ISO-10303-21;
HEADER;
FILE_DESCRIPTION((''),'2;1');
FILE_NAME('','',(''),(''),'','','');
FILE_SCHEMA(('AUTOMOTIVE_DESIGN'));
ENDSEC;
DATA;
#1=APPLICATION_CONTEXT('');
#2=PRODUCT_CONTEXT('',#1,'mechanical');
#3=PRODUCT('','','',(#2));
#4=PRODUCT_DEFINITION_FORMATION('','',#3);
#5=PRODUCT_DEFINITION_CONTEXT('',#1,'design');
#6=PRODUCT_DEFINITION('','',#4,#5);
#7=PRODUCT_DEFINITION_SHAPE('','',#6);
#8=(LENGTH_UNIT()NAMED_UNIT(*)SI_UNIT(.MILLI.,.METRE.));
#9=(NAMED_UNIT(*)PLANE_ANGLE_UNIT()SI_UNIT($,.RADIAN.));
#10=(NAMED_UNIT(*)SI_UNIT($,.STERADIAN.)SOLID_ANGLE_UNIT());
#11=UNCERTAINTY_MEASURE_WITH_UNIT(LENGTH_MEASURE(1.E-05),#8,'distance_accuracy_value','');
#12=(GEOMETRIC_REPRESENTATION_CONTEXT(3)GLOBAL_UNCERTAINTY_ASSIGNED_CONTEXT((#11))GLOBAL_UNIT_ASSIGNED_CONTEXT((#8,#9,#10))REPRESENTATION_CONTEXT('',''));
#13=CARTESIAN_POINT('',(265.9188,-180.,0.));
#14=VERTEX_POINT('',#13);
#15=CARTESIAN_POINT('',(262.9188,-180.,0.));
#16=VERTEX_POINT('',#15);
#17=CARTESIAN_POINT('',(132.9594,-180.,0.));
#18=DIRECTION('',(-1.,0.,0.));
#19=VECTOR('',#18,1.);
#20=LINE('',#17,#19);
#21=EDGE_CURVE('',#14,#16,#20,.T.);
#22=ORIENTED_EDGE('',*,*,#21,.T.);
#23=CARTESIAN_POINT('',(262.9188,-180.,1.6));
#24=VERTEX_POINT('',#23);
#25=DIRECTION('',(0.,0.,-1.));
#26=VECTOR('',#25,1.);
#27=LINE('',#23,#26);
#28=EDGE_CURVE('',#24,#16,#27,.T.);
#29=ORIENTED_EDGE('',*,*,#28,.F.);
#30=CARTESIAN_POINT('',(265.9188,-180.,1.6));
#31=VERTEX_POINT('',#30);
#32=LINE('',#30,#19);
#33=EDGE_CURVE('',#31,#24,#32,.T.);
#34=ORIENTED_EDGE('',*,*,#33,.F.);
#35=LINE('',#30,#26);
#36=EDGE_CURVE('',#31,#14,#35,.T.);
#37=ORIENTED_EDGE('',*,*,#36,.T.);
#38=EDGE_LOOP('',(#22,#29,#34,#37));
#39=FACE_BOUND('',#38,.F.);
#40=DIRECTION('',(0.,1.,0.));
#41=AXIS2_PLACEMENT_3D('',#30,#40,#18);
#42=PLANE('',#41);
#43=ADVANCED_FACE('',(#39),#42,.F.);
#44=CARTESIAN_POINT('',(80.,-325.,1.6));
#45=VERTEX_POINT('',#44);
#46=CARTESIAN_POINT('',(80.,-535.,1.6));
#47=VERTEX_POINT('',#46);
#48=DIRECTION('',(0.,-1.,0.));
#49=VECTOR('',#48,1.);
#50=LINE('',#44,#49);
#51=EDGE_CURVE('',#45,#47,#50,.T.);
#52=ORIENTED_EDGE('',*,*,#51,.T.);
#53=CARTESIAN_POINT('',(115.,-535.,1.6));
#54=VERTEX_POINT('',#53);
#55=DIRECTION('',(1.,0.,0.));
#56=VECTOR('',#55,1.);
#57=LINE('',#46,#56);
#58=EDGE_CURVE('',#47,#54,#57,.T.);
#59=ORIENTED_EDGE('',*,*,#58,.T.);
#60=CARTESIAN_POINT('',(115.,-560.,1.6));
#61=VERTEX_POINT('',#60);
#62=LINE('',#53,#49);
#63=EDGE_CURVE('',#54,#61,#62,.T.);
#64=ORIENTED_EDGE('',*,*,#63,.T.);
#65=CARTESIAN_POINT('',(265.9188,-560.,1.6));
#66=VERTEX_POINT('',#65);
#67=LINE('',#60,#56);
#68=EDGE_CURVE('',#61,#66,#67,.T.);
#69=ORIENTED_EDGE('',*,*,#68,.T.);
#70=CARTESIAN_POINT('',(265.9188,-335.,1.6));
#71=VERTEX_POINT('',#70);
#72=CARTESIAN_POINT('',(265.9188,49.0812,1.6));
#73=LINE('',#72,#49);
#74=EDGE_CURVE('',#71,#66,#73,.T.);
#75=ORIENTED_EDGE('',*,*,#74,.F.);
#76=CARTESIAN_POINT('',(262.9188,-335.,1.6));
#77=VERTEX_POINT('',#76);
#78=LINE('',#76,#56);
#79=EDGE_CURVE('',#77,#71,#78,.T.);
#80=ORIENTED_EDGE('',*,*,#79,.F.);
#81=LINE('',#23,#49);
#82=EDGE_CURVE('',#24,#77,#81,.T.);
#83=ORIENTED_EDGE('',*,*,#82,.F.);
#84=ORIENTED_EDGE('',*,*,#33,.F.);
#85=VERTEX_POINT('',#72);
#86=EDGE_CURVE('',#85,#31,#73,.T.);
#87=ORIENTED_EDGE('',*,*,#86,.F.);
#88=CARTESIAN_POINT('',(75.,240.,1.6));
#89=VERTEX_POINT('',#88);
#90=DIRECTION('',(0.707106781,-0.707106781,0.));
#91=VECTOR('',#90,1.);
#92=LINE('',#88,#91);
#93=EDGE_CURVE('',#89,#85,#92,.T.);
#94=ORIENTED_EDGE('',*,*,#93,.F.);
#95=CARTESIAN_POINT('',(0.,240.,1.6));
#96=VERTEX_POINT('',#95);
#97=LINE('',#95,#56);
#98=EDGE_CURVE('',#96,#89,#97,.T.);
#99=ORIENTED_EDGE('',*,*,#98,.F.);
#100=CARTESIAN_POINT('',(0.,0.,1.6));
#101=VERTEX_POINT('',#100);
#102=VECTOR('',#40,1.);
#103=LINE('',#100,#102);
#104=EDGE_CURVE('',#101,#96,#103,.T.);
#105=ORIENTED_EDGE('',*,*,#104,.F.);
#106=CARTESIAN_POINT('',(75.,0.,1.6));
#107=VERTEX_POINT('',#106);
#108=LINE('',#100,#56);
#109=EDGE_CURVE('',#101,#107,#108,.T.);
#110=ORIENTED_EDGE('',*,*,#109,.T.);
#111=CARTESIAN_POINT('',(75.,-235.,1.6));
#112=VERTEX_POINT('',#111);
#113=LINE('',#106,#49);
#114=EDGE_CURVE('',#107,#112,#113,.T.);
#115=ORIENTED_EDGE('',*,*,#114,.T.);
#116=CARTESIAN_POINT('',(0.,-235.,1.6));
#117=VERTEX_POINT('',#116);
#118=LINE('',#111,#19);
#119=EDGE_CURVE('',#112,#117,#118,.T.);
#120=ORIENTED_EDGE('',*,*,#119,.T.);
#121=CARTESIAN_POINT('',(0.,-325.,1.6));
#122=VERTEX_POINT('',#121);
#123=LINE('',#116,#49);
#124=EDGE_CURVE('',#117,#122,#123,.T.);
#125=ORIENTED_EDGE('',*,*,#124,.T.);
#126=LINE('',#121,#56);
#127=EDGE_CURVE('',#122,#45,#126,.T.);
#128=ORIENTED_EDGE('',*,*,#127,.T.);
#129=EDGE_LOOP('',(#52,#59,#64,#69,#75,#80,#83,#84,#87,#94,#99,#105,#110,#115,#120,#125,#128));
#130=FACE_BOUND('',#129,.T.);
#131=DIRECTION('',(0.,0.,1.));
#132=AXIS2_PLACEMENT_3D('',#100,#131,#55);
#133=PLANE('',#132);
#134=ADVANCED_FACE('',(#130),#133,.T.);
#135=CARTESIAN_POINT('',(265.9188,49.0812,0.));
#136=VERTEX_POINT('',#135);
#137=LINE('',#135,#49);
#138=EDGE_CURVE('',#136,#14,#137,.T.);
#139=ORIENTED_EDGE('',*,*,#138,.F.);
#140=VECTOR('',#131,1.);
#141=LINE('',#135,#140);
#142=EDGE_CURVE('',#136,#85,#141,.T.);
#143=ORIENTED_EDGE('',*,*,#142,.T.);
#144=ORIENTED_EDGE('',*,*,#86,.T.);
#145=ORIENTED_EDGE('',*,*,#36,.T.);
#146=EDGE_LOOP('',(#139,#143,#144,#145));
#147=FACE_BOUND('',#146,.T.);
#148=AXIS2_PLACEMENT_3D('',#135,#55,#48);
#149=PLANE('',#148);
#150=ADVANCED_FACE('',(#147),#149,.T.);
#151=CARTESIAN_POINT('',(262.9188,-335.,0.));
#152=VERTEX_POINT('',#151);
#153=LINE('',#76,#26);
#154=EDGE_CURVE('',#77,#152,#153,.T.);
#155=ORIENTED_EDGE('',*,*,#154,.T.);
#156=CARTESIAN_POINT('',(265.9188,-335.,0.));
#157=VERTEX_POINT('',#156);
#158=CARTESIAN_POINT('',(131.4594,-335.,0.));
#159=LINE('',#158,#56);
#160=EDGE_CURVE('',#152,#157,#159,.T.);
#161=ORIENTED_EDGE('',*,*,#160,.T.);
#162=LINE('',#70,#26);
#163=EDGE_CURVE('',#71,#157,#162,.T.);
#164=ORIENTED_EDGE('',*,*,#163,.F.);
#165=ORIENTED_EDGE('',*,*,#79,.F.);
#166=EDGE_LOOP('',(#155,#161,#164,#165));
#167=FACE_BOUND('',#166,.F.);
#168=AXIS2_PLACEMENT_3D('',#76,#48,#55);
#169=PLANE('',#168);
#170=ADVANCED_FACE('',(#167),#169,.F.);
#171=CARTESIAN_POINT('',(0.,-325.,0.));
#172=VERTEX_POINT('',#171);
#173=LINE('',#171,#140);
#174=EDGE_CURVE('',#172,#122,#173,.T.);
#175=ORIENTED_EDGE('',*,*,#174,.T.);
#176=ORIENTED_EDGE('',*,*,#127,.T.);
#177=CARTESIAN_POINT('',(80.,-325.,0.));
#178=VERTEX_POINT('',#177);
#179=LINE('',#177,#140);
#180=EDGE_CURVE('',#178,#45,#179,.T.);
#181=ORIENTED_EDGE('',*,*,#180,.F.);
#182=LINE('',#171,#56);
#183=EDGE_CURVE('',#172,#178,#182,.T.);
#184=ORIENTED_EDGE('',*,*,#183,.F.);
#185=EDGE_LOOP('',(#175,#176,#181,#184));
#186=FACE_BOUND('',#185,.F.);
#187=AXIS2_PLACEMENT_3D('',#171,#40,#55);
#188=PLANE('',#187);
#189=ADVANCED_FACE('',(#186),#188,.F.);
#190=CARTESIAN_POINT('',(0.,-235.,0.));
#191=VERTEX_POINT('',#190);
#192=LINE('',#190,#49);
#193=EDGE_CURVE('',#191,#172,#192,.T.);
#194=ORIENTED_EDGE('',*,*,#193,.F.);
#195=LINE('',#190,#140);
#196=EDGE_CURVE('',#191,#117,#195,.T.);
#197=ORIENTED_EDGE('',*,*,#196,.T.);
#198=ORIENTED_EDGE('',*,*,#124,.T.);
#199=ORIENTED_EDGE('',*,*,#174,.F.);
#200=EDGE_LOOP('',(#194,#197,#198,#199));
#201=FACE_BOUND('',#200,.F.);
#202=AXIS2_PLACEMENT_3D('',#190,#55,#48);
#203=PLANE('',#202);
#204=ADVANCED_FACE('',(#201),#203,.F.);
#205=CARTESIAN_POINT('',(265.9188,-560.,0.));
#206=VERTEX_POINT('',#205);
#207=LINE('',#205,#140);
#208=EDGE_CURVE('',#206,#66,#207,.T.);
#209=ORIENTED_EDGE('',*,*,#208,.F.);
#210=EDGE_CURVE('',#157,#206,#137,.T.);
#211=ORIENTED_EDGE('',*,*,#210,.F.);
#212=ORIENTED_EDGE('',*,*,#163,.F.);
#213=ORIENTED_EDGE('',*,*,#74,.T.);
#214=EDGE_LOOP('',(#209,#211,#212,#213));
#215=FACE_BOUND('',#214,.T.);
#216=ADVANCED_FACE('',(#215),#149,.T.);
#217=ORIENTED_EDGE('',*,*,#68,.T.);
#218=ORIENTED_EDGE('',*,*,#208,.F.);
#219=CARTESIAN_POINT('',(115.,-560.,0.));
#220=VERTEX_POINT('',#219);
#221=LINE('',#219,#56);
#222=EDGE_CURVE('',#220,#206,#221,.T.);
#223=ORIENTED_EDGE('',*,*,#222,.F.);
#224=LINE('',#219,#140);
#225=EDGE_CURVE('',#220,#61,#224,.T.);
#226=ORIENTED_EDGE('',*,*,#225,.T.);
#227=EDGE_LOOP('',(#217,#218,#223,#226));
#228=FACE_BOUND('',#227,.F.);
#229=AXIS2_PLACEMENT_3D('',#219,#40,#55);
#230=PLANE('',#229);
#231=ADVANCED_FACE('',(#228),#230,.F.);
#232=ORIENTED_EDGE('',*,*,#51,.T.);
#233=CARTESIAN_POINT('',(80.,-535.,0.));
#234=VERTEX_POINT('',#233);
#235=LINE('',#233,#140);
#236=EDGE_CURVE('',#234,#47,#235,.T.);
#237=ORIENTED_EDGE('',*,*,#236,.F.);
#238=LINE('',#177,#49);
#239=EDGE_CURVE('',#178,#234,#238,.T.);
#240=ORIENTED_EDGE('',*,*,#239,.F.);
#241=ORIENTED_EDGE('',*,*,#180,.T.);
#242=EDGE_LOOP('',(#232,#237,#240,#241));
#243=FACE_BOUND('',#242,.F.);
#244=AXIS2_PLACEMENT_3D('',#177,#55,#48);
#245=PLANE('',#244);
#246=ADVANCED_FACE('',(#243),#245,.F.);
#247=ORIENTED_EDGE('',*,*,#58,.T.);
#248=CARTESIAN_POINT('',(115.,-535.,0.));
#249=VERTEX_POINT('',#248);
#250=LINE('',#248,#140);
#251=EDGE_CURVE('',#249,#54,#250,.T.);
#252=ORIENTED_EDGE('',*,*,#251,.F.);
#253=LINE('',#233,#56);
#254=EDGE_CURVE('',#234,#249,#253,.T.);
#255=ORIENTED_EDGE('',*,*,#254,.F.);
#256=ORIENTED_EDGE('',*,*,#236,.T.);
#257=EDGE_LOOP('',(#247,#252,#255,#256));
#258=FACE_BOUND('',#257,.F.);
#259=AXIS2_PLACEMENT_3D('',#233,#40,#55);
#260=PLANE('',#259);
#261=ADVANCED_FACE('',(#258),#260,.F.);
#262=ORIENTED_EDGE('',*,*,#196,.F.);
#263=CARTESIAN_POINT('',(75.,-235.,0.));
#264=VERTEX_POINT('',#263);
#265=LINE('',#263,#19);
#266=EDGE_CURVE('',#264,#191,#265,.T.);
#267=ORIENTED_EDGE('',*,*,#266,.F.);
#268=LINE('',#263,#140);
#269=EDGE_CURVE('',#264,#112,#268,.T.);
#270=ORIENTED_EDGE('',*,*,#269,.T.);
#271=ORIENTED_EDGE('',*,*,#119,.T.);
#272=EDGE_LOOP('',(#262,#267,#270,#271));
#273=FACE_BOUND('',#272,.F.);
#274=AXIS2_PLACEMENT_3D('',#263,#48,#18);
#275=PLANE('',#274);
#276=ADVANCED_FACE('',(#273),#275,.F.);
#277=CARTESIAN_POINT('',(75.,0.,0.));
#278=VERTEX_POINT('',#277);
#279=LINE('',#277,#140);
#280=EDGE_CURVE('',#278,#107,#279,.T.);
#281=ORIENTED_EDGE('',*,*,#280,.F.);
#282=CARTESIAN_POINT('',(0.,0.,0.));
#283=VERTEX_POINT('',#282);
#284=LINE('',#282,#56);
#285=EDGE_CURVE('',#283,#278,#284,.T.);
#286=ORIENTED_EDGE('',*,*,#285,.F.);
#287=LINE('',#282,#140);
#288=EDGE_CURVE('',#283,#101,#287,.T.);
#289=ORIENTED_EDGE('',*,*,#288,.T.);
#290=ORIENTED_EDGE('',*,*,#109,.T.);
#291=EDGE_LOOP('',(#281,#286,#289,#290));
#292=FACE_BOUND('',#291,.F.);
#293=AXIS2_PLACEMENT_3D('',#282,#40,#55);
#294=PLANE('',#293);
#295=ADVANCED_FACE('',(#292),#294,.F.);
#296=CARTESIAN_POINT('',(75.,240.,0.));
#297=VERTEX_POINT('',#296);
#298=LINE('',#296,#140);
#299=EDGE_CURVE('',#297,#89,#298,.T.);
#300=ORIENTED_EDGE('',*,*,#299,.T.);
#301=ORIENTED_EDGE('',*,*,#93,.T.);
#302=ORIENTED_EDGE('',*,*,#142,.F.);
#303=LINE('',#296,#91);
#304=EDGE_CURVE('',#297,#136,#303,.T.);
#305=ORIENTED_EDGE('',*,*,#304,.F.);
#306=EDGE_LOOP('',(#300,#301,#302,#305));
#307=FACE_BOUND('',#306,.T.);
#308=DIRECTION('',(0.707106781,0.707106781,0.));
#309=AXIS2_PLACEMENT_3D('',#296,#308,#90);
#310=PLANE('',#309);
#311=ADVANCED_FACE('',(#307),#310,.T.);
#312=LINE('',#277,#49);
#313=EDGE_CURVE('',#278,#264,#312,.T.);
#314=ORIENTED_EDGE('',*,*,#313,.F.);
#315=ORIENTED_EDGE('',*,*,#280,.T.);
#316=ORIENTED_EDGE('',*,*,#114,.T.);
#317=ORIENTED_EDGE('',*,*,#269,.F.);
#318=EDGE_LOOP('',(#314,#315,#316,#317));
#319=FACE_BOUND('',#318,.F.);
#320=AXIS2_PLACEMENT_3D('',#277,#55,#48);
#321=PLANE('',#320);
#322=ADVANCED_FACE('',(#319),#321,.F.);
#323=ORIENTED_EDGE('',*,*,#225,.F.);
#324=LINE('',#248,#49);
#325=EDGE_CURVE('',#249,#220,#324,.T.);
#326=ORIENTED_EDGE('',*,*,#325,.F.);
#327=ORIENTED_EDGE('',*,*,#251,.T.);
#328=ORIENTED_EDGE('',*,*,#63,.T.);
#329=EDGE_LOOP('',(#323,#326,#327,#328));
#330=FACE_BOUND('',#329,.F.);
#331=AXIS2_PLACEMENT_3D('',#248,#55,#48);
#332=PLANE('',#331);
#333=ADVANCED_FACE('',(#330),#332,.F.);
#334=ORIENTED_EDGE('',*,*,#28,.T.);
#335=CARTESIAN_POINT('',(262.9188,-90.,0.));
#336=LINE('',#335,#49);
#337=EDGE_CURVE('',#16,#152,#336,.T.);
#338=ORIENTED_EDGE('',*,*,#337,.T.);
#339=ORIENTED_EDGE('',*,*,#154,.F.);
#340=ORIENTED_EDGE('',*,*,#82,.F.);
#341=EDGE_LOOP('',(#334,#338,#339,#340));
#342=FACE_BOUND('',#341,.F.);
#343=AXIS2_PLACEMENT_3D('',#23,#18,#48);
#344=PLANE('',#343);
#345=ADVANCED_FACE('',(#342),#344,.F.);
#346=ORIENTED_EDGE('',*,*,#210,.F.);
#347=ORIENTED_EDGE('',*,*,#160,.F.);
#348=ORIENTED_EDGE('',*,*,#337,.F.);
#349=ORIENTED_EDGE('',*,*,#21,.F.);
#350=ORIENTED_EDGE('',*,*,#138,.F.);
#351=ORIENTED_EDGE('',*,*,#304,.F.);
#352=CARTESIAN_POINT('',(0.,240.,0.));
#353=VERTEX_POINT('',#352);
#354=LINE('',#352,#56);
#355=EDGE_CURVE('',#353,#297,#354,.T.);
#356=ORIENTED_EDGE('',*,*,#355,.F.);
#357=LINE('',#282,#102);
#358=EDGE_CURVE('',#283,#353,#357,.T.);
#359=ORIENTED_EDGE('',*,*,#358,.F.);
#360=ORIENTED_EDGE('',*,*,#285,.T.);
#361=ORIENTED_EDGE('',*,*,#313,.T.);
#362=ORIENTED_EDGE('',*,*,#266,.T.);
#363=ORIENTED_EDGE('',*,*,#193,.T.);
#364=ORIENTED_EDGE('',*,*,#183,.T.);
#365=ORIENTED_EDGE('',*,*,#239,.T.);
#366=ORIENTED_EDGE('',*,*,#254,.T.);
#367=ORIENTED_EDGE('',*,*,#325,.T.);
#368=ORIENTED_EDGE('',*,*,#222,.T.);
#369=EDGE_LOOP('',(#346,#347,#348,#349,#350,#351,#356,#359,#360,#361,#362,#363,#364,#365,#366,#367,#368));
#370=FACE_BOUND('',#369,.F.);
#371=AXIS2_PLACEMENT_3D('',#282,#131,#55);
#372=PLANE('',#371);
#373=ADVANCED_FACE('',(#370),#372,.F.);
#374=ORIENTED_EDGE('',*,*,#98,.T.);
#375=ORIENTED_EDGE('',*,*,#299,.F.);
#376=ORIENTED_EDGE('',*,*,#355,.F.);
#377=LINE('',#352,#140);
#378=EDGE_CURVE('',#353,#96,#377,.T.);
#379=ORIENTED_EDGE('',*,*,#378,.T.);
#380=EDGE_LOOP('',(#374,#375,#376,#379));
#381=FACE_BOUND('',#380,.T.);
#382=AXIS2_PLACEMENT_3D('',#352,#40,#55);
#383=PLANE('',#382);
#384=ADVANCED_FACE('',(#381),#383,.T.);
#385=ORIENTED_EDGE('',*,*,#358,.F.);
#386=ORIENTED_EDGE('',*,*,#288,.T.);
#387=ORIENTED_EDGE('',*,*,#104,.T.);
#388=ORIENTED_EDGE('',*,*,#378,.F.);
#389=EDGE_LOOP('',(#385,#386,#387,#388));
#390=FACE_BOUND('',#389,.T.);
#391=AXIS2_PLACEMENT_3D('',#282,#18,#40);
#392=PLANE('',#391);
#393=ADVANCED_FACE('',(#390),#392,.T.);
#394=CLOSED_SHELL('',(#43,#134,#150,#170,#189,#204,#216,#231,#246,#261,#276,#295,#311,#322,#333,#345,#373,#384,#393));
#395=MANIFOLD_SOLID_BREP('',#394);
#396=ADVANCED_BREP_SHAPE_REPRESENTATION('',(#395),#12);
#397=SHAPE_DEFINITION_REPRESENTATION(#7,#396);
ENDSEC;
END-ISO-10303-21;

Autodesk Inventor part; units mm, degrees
ref_plane "YZ Plane" through (0, 0, 0) normal (1, 0, 0) x (0, 1, 0)
ref_plane "XZ Plane" through (0, 0, 0) normal (0, 1, 0) x (-1, 0, 0)
ref_plane "XY Plane" through (0, 0, 0) normal (0, 0, 1) x (1, 0, 0)
sketch "Sketch1" plane through (0, 0, 0) normal (0, 0, 1) x (1, 0, 0)
  line L0 (0, 0) -> (0, 240)
  line L1 (0, 0) -> (75, 0)
  line L2 (0, 240) -> (75, 240)
  line L3 (75, 240) -> (338.7516, 240) construction
  line L4 (75, 0) -> (75, -235)
  line L5 (75, -235) -> (0, -235)
  line L6 (0, -235) -> (0, -325)
  line L7 (0, -325) -> (80, -325)
  line L8 (80, -325) -> (80, -535)
  line L9 (80, -535) -> (115, -535)
  line L10 (115, -535) -> (115, -560)
  line L11 (115, -560) -> (265.9188, -560)
  line L12 (75, 240) -> (265.9188, 49.0812)
  line L13 (75, 240) -> (345, 240) construction
  line L14 (265.9188, 49.0812) -> (265.9188, -560)
  dimension "d0" = 240
  dimension "d1" = 75
  dimension "d4" = 235
  dimension "d5" = 75
  dimension "d6" = 90
  dimension "d7" = 80
  dimension "d8" = 210
  dimension "d9" = 35
  dimension "d10" = 25
  dimension "d16" = 75
  dimension "d17" = 270
  dimension "d18" = 45
extrude "Extrusion1" add sketch "Sketch1" along normal blind 1.6
sketch "Sketch2" plane through (0, 0, 1.6) normal (0, 0, 1) x (1, 0, 0)
  line L0 (262.9188, -335) -> (265.9188, -335)
  line L1 (265.9188, -335) -> (265.9188, -180)
  line L2 (265.9188, -180) -> (262.9188, -180)
  line L3 (262.9188, -180) -> (262.9188, -335)
  line L4 (115, -560) -> (265.9188, -560) projected
  line L5 (265.9188, -560) -> (265.9188, 49.0812) projected
  point P0 (0, 0)
  point P1 (265.9188, -257.5)
  point P2 (265.9188, -255.4594)
  dimension "d19" = 3
  dimension "d20" = 155
  dimension "d21" = 225
extrude "Extrusion2" cut sketch "Sketch2" against normal blind 10
equation "\"d5\" = d1"
properties part number "Gearbox-Side Cover Part 2" material "Steel"
